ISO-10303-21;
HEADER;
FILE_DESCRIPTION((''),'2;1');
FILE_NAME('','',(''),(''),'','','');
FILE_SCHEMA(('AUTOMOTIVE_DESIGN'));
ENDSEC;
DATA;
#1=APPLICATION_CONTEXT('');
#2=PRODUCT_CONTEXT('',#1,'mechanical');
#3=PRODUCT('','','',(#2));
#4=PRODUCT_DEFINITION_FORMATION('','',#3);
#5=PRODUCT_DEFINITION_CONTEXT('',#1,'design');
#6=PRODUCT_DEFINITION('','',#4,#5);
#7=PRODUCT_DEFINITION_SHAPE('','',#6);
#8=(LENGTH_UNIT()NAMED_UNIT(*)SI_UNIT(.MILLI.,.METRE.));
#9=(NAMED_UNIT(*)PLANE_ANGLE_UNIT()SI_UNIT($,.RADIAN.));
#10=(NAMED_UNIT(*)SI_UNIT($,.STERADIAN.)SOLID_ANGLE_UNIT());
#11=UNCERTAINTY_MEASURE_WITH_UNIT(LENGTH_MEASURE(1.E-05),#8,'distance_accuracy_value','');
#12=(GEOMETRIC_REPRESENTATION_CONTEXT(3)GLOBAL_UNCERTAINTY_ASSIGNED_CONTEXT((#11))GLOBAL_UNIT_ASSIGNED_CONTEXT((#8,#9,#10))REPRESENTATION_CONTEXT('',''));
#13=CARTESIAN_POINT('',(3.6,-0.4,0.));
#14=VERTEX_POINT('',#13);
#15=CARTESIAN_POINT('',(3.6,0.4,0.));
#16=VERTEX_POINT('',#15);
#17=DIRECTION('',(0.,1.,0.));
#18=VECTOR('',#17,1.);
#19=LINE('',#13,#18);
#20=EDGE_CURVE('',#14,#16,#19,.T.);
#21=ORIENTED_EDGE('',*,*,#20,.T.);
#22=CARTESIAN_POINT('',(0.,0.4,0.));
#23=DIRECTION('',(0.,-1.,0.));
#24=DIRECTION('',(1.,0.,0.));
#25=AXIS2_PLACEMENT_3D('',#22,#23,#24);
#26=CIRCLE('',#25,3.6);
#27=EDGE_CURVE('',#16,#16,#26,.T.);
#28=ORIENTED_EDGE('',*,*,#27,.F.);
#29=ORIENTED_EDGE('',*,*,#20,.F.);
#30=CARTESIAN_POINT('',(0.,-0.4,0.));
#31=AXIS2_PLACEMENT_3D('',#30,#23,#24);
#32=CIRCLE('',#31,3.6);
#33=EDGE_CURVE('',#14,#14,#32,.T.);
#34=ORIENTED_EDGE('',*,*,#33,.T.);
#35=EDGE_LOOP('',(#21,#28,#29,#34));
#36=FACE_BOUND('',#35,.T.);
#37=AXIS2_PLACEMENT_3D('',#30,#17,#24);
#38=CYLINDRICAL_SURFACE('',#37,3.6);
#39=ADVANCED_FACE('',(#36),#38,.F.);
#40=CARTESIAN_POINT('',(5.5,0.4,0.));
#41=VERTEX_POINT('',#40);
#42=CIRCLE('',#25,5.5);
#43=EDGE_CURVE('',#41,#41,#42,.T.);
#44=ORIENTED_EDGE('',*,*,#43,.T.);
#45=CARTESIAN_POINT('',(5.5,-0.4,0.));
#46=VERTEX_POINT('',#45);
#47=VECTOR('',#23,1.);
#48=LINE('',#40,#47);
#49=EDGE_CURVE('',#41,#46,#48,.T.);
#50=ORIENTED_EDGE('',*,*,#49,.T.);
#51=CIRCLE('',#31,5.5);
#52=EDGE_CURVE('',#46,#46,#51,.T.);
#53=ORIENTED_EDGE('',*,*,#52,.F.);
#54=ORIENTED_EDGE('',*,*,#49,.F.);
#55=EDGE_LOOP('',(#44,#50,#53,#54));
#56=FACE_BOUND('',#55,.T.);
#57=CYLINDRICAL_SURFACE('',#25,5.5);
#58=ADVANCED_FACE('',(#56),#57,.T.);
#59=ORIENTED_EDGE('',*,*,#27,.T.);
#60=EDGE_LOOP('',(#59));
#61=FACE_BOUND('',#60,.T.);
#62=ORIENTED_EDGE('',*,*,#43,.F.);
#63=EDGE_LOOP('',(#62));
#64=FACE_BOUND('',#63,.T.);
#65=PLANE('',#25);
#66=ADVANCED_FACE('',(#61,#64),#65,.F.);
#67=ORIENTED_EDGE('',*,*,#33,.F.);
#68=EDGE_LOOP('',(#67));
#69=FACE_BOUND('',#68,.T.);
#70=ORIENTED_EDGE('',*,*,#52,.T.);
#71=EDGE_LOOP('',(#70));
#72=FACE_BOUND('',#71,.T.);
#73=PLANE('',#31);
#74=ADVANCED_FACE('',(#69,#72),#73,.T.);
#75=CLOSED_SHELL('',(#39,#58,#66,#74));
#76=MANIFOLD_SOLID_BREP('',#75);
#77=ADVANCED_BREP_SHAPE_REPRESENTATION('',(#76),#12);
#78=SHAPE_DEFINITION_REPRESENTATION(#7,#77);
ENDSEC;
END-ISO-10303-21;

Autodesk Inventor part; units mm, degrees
ref_plane "YZ Plane" through (0, 0, 0) normal (1, 0, 0) x (0, 1, 0)
ref_plane "XZ Plane" through (0, 0, 0) normal (0, 1, 0) x (-1, 0, 0)
ref_plane "XY Plane" through (0, 0, 0) normal (0, 0, 1) x (1, 0, 0)
sketch "スケッチ1" plane through (0, 0, 0) normal (0, 0, 1) x (1, 0, 0)
  line L0 (3.6, 0.4) -> (5.5, 0.4)
  line L1 (5.5, 0.4) -> (5.5, -0.4)
  line L2 (5.5, -0.4) -> (3.6, -0.4)
  line L3 (3.6, -0.4) -> (3.6, 0.4)
  line L4 (0, 1.7462) -> (0, -1.7462) construction
  point P0 (0, 0)
  point P1 (0, 0)
  point P2 (3.6, 0)
  dimension "d0" = 0.8
  dimension "d1" = 7.2
  dimension "d2" = 11
revolve "回転1" add sketch "スケッチ1" angle 360 about axis through (0, 1.7462, 0) along (0, -1, 0)
properties part number "CC-0815-08B" material "アセタール樹脂、黒"
